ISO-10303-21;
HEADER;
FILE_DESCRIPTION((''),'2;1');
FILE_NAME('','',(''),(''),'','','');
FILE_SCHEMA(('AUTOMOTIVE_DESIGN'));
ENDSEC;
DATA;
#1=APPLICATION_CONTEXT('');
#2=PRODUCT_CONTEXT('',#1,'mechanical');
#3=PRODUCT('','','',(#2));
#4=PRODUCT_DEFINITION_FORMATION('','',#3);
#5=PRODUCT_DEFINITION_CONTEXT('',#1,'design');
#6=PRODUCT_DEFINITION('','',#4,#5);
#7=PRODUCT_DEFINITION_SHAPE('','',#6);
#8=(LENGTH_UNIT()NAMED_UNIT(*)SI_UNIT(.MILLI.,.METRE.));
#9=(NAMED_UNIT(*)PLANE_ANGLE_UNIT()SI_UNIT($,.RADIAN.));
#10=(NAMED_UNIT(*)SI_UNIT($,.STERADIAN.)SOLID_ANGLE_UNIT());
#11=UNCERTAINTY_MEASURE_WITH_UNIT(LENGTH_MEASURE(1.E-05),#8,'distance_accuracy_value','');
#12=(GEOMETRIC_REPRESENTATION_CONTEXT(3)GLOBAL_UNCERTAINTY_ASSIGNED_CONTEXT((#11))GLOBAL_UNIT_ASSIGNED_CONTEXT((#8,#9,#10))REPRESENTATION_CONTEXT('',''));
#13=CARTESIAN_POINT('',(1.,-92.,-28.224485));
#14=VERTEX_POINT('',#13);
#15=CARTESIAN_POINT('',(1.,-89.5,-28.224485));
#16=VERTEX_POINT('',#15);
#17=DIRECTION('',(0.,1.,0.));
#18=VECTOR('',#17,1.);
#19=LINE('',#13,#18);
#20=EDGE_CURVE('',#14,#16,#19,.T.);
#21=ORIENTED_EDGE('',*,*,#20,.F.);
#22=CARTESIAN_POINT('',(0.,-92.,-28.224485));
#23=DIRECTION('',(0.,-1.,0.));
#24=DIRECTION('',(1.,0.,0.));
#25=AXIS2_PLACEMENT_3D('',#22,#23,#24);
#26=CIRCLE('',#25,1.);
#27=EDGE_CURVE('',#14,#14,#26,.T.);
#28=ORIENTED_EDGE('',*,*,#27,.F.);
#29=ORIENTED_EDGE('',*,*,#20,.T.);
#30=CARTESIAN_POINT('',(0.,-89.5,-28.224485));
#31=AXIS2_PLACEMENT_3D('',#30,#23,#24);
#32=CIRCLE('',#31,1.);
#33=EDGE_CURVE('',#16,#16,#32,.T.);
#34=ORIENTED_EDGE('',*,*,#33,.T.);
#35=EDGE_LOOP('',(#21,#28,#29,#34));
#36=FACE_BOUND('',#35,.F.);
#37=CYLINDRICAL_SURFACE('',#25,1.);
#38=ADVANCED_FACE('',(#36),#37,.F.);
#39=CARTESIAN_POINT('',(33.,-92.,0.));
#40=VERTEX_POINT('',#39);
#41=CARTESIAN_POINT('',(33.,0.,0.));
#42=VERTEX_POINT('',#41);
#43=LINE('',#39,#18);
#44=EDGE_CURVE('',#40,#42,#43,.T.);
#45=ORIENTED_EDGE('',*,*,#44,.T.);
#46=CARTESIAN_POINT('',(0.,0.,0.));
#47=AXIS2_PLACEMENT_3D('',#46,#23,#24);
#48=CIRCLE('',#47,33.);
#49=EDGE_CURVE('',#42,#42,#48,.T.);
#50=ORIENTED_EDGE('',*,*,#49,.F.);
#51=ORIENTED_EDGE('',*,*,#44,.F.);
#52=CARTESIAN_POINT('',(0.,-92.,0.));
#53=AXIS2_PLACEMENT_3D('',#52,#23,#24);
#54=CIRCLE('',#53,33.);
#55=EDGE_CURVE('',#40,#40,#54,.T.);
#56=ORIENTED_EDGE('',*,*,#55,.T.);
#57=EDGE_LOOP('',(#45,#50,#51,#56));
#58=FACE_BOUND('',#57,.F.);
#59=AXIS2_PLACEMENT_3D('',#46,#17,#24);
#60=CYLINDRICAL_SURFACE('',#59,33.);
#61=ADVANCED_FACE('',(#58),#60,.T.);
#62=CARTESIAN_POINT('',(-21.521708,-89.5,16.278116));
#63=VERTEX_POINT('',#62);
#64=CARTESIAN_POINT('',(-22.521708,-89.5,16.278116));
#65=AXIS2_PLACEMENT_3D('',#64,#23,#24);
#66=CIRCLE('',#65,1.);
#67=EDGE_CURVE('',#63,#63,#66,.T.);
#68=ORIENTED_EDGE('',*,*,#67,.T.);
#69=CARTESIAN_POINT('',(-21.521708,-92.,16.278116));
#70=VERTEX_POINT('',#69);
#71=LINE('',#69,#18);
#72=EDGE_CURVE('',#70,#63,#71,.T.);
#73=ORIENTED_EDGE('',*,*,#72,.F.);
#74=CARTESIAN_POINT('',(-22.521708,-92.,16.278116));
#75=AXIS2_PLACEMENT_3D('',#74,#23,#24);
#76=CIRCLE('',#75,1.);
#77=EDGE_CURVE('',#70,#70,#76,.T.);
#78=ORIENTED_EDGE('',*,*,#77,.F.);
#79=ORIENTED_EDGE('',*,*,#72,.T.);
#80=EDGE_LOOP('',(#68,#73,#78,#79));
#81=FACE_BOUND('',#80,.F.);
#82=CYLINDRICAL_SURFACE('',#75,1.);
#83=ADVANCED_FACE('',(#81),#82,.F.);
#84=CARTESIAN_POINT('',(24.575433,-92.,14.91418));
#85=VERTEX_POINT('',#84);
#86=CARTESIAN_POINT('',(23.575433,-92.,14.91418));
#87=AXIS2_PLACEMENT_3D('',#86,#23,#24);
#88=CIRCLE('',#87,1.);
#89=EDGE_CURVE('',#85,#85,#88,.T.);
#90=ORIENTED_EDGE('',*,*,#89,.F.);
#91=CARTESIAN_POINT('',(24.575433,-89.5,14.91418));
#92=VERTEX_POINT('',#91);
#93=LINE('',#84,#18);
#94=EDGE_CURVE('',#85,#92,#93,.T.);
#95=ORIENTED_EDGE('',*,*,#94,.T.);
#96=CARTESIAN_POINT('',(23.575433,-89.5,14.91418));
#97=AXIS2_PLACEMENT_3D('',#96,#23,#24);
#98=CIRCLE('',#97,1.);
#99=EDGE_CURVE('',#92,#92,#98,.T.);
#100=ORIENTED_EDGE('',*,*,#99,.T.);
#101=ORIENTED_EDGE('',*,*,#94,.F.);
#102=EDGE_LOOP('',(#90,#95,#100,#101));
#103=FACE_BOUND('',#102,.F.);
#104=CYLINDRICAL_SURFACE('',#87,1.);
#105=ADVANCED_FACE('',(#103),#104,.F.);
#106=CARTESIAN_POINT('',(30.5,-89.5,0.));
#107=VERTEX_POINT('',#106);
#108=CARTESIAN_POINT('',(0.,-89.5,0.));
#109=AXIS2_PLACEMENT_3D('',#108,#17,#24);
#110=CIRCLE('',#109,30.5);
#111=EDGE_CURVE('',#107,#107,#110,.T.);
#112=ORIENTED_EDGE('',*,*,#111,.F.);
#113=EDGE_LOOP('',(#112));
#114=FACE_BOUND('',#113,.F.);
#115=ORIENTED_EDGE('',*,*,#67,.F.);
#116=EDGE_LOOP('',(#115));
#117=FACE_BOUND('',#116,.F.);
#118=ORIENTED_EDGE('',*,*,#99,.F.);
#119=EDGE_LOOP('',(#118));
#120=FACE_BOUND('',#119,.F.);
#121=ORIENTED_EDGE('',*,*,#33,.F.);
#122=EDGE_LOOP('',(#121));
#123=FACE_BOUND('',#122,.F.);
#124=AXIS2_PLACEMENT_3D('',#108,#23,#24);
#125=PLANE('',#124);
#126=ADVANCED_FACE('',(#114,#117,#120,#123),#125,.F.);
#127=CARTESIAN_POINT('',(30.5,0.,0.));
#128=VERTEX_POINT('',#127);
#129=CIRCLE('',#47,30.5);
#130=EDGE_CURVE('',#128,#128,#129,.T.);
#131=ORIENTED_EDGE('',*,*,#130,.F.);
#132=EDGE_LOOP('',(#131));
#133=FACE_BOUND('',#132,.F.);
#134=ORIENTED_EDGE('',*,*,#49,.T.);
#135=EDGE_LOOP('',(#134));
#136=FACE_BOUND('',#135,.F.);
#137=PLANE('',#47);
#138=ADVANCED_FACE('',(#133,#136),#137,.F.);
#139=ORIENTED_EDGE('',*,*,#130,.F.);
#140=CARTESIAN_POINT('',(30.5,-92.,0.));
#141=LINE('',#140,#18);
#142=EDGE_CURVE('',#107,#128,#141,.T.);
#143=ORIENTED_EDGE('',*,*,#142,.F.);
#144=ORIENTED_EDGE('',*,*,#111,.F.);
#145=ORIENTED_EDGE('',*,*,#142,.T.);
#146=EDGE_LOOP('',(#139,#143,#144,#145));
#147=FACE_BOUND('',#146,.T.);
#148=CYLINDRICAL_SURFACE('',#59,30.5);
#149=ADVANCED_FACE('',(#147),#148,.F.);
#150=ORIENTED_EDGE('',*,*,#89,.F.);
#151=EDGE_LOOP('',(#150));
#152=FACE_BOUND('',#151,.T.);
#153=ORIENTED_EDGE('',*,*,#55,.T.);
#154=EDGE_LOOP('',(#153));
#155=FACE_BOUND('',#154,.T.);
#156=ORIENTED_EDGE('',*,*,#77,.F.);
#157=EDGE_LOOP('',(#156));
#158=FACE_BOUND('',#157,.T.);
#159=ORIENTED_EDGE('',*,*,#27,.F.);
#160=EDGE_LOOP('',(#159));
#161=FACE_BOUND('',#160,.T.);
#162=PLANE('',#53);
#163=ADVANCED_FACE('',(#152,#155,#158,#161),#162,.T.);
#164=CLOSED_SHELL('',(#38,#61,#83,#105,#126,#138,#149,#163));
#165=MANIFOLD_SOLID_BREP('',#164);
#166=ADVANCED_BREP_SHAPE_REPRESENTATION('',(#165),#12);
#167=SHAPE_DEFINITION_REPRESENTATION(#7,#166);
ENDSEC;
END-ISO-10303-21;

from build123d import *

# Parameters (mm, degrees)
F0_R     = 33
F0_R_2   = 30
F1_DEPTH = 92
F2_DEPTH = 3
F3_T     = -2.5
F4_R     = 1
F5_DEPTH = 6


with BuildPart() as f1:
    # F0 (on Front) → F1 (new body)
    with BuildSketch(Plane.XZ):
        Circle(F0_R)
        Circle(F0_R_2, mode=Mode.SUBTRACT)
        Circle(F0_R_2)
    extrude(amount=F1_DEPTH)

    # F0 (on Front) → F2 (join)
    with BuildSketch(Plane.XZ):
        Circle(F0_R)
        Circle(F0_R_2, mode=Mode.SUBTRACT)
    extrude(amount=F2_DEPTH)

    # F3
    f3_openings = [f1.faces().sort_by_distance(p)[0] for p in [
        (0, 0, 0),
    ]]
    offset(amount=F3_T, openings=f3_openings)

    # F4 (on face) → F5 (cut)
    with BuildSketch(Plane.XZ.offset(92)):
        with Locations((0, -28.224484995)):
            Circle(F4_R)
        with Locations((23.5754325986, 14.9141801521)):
            Circle(F4_R)
        with Locations((-22.5217076706, 16.2781162705)):
            Circle(F4_R)
    extrude(amount=-F5_DEPTH, mode=Mode.SUBTRACT)


solid = f1.part
